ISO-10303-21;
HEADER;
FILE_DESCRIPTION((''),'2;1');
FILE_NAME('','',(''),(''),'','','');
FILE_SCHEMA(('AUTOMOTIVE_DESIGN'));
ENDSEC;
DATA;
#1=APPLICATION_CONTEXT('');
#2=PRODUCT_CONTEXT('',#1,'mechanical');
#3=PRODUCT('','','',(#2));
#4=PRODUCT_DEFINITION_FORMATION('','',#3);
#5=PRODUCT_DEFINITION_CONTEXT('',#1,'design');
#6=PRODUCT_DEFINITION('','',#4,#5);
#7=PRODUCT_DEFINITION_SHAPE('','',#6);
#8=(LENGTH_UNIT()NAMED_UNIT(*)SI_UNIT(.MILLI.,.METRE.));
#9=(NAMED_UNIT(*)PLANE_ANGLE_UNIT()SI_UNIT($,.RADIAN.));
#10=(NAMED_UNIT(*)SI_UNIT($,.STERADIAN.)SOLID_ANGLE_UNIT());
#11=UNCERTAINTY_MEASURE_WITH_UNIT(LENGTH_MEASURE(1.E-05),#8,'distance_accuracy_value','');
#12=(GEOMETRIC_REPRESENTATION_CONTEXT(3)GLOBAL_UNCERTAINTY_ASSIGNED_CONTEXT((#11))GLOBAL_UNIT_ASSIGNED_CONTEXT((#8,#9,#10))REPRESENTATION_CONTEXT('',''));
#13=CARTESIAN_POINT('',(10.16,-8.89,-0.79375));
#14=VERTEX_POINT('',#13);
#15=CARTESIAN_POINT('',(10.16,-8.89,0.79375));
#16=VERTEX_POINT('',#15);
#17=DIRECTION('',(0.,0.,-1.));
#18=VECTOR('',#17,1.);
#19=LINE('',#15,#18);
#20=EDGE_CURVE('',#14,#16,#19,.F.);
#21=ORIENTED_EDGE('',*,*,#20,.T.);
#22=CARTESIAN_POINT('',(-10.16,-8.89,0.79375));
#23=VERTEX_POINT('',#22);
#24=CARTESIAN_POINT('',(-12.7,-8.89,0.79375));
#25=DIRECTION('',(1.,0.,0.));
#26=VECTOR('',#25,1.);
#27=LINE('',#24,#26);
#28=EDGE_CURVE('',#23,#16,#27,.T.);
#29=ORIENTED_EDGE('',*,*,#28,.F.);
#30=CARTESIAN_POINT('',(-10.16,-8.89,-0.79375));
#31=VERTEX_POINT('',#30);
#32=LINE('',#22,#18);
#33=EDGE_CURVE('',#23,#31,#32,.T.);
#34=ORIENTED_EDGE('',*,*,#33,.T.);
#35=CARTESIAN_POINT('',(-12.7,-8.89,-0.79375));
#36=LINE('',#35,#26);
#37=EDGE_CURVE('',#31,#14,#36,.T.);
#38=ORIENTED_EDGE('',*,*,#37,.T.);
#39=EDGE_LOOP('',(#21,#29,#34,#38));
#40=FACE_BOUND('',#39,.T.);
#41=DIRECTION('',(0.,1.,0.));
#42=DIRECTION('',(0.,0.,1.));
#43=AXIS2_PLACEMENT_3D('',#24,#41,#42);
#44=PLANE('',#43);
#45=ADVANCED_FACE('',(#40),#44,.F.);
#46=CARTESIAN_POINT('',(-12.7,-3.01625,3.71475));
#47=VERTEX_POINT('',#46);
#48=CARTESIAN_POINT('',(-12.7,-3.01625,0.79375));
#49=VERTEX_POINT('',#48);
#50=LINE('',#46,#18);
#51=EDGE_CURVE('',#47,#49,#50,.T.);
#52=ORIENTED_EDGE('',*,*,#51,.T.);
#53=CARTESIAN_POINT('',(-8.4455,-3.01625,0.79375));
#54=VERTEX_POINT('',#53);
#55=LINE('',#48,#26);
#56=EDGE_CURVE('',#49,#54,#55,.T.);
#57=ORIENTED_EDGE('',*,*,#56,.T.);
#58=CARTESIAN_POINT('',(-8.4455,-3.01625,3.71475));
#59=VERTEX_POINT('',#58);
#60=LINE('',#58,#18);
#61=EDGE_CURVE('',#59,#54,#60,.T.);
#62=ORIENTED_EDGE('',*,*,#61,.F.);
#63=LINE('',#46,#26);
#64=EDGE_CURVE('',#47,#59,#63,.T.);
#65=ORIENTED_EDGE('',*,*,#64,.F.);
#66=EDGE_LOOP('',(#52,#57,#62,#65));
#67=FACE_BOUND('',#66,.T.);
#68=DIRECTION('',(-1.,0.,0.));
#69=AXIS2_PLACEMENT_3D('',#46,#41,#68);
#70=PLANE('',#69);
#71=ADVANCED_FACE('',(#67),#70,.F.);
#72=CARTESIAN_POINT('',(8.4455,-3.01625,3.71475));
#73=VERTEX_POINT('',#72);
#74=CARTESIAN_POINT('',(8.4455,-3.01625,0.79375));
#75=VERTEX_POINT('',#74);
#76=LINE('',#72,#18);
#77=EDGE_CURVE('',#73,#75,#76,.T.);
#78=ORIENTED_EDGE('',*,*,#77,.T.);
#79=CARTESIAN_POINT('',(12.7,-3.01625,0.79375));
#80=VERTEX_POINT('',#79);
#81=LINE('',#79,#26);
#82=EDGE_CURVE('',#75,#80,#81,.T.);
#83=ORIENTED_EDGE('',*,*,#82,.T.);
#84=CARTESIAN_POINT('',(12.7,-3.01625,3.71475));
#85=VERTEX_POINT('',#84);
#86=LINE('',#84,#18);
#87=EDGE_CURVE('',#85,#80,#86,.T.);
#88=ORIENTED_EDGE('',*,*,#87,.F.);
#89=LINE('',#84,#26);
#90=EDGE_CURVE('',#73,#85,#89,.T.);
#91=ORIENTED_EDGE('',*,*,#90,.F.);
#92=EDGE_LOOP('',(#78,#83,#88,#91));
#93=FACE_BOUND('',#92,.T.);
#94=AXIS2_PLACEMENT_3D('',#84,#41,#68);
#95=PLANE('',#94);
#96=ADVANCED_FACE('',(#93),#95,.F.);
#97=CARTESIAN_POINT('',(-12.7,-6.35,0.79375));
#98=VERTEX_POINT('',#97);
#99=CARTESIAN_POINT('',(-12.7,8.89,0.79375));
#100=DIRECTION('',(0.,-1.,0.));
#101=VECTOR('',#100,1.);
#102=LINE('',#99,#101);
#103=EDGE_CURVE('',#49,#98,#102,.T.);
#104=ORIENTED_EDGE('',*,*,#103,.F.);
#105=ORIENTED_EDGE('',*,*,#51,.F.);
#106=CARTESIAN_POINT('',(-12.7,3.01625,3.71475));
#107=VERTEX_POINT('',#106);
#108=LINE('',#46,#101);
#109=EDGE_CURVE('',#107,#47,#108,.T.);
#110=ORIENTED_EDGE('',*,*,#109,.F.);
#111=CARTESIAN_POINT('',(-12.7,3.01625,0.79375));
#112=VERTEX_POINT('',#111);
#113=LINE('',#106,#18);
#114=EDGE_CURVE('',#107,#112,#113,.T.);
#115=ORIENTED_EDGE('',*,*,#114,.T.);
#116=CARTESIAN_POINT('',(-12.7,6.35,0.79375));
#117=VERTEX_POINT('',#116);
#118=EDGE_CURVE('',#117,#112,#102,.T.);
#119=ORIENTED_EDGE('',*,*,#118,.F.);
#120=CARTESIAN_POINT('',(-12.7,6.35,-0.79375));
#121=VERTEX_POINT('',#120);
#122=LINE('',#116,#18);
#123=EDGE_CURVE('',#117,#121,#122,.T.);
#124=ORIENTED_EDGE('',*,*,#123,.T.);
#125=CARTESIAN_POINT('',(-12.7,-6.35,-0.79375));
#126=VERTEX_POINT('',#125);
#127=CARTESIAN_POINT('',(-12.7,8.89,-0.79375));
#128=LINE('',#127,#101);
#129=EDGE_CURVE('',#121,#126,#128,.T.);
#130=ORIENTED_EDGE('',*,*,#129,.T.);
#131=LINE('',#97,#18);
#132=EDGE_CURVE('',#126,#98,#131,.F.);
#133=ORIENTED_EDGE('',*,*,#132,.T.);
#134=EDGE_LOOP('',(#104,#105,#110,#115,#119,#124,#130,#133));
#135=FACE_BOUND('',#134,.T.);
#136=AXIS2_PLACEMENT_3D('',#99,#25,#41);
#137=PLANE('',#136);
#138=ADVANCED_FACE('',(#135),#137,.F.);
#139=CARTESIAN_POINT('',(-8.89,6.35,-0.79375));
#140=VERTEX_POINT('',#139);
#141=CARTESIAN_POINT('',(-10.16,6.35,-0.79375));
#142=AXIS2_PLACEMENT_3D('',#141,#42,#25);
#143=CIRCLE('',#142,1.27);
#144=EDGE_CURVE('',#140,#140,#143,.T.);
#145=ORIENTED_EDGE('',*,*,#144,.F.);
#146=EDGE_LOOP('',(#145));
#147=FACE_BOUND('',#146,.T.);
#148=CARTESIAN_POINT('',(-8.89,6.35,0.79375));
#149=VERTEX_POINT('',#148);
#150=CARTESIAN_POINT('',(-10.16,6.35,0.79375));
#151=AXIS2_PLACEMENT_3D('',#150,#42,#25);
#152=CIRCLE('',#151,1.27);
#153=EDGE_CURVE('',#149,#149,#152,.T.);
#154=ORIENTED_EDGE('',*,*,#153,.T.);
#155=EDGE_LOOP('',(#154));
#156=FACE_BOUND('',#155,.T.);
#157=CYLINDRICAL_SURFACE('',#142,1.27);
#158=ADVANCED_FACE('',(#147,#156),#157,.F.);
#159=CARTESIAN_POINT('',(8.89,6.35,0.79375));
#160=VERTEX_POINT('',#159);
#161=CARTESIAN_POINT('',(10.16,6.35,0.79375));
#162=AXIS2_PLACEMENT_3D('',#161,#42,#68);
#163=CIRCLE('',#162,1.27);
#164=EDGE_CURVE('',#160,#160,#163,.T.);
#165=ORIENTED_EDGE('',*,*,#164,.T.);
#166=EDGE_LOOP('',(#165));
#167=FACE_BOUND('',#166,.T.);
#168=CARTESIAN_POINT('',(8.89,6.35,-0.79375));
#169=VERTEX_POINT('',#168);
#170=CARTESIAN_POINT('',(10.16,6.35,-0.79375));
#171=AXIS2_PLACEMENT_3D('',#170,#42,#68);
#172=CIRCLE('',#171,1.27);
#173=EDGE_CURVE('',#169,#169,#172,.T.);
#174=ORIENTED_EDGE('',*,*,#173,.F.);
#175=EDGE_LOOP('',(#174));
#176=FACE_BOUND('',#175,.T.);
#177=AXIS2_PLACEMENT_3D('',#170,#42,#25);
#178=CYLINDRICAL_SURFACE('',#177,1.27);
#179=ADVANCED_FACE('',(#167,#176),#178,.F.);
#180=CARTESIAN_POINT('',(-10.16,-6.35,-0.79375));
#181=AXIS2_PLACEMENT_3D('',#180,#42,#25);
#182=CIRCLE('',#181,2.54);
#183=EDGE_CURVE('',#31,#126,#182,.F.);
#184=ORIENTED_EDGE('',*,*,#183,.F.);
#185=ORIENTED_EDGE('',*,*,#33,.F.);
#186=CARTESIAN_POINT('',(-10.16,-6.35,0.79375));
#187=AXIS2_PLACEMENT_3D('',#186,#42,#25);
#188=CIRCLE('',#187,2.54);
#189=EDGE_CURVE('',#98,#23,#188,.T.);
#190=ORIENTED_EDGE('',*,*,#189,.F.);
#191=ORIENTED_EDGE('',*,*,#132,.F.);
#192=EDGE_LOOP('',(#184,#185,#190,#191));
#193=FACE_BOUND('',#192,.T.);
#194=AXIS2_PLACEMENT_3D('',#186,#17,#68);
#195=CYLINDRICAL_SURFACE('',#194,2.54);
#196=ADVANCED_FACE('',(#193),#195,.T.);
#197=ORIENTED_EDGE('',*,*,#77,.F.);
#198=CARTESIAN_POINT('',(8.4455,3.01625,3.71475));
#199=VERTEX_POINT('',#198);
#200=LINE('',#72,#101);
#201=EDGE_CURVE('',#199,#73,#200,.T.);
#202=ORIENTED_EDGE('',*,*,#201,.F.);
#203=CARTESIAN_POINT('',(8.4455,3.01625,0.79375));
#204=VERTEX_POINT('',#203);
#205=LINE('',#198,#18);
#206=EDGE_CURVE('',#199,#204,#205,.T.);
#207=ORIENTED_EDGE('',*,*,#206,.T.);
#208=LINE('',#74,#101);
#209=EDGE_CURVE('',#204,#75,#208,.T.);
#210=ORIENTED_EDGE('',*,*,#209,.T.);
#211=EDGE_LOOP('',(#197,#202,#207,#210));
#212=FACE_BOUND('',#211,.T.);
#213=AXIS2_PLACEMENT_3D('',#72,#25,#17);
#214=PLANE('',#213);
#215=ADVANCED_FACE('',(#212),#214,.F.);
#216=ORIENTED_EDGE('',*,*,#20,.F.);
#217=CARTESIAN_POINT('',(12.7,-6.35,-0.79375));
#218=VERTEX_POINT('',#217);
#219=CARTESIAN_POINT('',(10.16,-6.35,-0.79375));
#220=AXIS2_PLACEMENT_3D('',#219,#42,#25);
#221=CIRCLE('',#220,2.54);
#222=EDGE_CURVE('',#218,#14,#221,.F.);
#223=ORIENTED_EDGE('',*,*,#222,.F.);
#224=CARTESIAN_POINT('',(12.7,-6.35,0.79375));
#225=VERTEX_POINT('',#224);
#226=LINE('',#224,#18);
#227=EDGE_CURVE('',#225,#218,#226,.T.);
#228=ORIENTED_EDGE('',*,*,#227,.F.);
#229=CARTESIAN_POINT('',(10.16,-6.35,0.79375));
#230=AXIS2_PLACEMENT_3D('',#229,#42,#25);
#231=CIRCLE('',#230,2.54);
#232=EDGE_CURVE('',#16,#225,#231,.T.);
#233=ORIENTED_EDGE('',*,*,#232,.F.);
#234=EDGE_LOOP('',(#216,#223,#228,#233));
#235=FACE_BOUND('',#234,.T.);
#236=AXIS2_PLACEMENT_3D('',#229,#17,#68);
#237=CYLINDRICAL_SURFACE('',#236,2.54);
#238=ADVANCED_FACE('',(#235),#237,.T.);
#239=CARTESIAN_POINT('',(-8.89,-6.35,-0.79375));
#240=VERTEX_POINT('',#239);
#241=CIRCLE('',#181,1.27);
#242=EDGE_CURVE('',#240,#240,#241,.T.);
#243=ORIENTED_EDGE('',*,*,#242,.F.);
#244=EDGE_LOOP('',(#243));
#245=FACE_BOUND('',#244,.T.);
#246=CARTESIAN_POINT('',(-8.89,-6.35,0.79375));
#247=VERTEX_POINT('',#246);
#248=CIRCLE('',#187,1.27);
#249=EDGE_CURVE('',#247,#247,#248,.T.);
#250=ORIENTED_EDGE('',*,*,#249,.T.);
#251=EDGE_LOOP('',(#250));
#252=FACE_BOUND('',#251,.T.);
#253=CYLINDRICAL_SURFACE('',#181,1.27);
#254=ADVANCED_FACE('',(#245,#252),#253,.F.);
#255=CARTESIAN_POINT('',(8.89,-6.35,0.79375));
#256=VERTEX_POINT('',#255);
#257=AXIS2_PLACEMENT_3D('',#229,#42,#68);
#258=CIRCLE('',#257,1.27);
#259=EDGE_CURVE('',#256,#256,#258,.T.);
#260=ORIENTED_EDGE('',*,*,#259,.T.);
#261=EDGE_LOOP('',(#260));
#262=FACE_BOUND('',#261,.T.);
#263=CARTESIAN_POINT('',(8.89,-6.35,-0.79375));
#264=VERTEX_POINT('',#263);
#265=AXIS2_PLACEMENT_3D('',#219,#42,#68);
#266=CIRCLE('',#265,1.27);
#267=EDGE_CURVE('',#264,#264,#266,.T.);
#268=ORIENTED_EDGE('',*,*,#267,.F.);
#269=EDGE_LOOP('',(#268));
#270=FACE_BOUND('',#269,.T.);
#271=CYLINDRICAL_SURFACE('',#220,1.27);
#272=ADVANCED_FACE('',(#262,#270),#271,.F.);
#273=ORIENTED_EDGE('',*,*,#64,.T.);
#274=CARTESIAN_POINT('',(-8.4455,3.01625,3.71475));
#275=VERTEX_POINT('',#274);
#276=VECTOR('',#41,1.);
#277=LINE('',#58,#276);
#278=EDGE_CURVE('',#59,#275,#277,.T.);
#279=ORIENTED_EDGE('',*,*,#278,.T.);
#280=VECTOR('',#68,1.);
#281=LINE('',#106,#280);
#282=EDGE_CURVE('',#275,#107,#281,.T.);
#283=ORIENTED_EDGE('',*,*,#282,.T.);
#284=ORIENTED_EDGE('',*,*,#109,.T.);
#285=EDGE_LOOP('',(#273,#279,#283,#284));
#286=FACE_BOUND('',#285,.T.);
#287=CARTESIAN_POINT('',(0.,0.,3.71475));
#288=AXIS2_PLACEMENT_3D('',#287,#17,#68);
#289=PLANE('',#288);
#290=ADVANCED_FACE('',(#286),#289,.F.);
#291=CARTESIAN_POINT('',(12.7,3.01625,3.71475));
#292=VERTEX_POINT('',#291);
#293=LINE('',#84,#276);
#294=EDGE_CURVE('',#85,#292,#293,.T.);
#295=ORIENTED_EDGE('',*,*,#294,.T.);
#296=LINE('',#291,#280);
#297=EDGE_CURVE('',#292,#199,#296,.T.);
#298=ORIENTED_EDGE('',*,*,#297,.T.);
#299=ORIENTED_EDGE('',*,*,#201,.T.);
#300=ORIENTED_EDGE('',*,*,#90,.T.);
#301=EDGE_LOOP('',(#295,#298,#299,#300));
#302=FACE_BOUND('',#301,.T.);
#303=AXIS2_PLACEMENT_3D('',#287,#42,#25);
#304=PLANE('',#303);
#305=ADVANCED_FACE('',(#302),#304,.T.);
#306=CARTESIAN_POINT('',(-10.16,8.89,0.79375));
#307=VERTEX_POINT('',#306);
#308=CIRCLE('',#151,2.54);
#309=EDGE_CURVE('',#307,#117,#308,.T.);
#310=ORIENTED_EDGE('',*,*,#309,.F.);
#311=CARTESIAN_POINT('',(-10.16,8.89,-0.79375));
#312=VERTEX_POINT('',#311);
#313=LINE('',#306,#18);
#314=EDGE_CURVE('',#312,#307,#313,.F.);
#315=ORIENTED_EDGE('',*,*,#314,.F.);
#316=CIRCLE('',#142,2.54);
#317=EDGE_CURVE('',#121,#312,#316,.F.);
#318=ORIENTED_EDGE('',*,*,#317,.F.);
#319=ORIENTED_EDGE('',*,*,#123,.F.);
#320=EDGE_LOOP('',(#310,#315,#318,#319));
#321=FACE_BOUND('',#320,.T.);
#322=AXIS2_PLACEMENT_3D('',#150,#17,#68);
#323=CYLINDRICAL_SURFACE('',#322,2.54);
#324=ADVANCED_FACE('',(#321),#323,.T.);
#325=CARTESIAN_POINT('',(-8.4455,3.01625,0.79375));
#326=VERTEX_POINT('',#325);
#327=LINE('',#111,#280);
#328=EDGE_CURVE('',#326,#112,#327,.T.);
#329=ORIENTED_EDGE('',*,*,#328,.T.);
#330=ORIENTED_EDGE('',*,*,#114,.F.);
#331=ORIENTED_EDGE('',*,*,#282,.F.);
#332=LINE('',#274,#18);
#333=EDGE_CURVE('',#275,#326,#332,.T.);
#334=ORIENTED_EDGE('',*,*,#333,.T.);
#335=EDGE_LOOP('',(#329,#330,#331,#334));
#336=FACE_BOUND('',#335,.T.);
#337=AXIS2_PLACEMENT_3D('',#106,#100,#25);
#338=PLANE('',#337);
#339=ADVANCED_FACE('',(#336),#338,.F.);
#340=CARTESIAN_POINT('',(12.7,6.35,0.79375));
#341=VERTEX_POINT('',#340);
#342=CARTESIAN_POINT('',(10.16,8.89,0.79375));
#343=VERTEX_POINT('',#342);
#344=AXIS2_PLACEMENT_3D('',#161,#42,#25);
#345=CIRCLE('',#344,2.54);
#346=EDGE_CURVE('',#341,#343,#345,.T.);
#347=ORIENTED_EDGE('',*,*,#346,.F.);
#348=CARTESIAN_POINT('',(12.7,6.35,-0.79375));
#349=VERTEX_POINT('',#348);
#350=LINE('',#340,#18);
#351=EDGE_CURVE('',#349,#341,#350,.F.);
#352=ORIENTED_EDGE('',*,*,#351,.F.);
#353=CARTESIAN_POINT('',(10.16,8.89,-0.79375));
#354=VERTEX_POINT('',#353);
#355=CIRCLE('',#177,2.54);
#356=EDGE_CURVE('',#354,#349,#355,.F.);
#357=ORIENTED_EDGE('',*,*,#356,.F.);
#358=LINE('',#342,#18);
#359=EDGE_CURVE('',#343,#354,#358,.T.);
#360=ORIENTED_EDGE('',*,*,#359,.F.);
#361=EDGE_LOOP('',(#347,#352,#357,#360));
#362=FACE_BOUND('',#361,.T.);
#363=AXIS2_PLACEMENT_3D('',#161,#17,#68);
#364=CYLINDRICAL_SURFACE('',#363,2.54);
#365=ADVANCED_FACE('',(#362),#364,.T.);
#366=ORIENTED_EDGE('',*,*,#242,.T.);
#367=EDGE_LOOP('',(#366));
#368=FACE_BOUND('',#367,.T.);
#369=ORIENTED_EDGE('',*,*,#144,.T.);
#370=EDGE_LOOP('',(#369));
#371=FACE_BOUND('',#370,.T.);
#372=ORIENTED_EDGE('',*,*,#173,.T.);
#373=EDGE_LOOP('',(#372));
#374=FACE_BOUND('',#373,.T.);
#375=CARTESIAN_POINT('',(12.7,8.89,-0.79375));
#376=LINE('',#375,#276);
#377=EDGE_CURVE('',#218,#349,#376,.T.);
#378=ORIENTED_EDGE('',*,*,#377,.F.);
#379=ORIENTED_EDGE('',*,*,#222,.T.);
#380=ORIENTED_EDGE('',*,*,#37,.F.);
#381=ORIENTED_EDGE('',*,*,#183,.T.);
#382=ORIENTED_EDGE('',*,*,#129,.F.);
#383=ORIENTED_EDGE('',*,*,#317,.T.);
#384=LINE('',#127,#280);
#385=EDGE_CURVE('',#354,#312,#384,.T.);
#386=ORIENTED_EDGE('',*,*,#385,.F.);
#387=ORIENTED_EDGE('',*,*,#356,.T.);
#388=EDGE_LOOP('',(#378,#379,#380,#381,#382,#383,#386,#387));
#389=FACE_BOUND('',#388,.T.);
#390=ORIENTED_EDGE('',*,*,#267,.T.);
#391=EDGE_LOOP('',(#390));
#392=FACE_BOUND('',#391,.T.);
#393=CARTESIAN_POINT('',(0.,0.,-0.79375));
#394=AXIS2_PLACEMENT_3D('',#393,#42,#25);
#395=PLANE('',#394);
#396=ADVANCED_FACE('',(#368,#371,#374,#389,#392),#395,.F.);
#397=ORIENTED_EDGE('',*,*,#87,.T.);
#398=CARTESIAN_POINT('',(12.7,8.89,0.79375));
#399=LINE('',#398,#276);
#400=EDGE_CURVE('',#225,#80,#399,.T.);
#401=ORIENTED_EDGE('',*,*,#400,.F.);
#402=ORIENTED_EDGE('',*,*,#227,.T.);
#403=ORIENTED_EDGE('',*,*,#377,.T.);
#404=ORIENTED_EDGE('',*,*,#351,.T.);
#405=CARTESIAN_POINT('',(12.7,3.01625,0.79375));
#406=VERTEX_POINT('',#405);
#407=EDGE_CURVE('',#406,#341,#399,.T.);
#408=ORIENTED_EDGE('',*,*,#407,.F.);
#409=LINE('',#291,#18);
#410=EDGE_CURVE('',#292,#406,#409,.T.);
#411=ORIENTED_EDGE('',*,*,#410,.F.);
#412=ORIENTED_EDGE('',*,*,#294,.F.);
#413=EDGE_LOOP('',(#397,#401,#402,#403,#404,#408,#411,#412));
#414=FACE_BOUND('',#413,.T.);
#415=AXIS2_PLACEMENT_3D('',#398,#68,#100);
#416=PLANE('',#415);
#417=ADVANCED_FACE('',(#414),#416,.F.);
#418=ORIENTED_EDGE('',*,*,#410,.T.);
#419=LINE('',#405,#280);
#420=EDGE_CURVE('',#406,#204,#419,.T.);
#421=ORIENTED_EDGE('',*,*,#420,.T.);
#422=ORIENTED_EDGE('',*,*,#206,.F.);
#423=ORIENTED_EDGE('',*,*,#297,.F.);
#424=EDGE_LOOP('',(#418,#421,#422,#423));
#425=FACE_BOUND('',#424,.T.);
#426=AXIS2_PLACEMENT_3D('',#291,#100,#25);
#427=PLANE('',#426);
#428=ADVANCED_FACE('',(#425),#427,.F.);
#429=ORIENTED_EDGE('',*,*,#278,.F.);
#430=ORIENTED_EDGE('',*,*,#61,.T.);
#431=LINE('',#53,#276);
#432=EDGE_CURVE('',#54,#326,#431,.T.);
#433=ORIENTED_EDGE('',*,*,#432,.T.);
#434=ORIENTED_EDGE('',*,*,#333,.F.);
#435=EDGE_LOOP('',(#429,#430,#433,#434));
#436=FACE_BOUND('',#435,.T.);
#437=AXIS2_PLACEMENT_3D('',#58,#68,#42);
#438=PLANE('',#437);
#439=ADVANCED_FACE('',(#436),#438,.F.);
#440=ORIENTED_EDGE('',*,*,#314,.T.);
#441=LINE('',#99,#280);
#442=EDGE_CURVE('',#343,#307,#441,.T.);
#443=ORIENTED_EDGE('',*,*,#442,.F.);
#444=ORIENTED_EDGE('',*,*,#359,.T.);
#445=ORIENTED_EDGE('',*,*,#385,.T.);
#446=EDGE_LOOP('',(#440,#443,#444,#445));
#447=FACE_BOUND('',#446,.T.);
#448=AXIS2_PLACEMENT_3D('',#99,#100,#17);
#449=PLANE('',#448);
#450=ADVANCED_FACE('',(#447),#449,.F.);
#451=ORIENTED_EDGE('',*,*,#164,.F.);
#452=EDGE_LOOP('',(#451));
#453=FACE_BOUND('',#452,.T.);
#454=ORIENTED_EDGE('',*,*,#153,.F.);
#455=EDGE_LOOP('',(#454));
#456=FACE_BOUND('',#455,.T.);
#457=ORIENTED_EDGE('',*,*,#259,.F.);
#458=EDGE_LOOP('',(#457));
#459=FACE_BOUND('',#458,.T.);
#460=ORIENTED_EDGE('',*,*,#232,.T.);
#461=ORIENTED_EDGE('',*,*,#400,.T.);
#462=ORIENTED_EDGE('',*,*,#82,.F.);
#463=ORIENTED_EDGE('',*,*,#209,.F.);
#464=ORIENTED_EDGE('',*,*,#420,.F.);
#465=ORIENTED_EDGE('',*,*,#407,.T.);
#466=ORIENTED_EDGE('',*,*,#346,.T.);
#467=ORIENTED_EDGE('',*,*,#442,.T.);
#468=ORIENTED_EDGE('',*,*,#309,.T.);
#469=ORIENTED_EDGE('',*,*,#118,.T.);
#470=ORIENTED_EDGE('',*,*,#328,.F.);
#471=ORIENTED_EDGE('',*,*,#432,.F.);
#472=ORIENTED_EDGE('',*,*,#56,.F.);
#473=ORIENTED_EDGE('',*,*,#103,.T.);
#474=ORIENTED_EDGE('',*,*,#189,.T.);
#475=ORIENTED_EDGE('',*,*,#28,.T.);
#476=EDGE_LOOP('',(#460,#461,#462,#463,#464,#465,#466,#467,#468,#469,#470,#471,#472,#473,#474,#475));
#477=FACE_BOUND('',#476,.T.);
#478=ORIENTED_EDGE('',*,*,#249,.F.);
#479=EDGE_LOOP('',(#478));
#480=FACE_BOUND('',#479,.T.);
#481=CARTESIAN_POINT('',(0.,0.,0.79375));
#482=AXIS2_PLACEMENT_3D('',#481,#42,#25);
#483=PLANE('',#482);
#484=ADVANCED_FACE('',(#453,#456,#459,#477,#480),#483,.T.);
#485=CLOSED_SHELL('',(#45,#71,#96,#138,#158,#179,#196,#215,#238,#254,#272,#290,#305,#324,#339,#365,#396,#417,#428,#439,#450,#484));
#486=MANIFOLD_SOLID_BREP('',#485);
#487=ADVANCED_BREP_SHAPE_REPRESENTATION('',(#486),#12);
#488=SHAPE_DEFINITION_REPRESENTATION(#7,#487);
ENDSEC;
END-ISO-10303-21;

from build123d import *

# Parameters (mm, degrees)
SKETCH1_W           = 25.4
SKETCH1_H           = 17.78
BOSS_EXTRUDE1_DEPTH = 0.79375
SKETCH2_W           = 4.2545
SKETCH2_H           = 6.0325
BOSS_EXTRUDE2_DEPTH = 2.921
SKETCH3_R           = 1.27
CUT_EXTRUDE1_DEPTH  = 16.775117781
FILLET1_R           = 2.54


with BuildPart() as part:
    # Sketch1 → Boss-Extrude1 (new, symmetric)
    with BuildSketch(Plane.XY):
        Rectangle(SKETCH1_W, SKETCH1_H)
    extrude(amount=BOSS_EXTRUDE1_DEPTH, both=True)

    # Sketch2 → Boss-Extrude2 (add)
    with BuildSketch(Plane.XY.offset(0.79375)):
        with Locations((10.57275, 0)):
            Rectangle(SKETCH2_W, SKETCH2_H)
        with Locations((-10.57275, 0)):
            Rectangle(SKETCH2_W, SKETCH2_H)
    extrude(amount=BOSS_EXTRUDE2_DEPTH)

    # Sketch3 → Cut-Extrude1 (cut, through all)
    with BuildSketch(Plane.XY.offset(0.79375)):
        with Locations((-10.16, 6.35)):
            Circle(SKETCH3_R)
        with Locations((-10.16, -6.35)):
            Circle(SKETCH3_R)
        with Locations(Location((10.16, -6.35, 0), (0, 0, 180))):
            Circle(SKETCH3_R)
        with Locations(Location((10.16, 6.35, 0), (0, 0, 180))):
            Circle(SKETCH3_R)
    extrude(amount=-CUT_EXTRUDE1_DEPTH, mode=Mode.SUBTRACT)

    # Fillet1
    fillet1_edges = [part.edges().sort_by_distance(p)[0] for p in [
        (12.7, -8.89, 0),
        (-12.7, -8.89, 0),
        (-12.7, 8.89, 0),
        (12.7, 8.89, 0),
    ]]
    fillet(fillet1_edges, radius=FILLET1_R)


solid = part.part
